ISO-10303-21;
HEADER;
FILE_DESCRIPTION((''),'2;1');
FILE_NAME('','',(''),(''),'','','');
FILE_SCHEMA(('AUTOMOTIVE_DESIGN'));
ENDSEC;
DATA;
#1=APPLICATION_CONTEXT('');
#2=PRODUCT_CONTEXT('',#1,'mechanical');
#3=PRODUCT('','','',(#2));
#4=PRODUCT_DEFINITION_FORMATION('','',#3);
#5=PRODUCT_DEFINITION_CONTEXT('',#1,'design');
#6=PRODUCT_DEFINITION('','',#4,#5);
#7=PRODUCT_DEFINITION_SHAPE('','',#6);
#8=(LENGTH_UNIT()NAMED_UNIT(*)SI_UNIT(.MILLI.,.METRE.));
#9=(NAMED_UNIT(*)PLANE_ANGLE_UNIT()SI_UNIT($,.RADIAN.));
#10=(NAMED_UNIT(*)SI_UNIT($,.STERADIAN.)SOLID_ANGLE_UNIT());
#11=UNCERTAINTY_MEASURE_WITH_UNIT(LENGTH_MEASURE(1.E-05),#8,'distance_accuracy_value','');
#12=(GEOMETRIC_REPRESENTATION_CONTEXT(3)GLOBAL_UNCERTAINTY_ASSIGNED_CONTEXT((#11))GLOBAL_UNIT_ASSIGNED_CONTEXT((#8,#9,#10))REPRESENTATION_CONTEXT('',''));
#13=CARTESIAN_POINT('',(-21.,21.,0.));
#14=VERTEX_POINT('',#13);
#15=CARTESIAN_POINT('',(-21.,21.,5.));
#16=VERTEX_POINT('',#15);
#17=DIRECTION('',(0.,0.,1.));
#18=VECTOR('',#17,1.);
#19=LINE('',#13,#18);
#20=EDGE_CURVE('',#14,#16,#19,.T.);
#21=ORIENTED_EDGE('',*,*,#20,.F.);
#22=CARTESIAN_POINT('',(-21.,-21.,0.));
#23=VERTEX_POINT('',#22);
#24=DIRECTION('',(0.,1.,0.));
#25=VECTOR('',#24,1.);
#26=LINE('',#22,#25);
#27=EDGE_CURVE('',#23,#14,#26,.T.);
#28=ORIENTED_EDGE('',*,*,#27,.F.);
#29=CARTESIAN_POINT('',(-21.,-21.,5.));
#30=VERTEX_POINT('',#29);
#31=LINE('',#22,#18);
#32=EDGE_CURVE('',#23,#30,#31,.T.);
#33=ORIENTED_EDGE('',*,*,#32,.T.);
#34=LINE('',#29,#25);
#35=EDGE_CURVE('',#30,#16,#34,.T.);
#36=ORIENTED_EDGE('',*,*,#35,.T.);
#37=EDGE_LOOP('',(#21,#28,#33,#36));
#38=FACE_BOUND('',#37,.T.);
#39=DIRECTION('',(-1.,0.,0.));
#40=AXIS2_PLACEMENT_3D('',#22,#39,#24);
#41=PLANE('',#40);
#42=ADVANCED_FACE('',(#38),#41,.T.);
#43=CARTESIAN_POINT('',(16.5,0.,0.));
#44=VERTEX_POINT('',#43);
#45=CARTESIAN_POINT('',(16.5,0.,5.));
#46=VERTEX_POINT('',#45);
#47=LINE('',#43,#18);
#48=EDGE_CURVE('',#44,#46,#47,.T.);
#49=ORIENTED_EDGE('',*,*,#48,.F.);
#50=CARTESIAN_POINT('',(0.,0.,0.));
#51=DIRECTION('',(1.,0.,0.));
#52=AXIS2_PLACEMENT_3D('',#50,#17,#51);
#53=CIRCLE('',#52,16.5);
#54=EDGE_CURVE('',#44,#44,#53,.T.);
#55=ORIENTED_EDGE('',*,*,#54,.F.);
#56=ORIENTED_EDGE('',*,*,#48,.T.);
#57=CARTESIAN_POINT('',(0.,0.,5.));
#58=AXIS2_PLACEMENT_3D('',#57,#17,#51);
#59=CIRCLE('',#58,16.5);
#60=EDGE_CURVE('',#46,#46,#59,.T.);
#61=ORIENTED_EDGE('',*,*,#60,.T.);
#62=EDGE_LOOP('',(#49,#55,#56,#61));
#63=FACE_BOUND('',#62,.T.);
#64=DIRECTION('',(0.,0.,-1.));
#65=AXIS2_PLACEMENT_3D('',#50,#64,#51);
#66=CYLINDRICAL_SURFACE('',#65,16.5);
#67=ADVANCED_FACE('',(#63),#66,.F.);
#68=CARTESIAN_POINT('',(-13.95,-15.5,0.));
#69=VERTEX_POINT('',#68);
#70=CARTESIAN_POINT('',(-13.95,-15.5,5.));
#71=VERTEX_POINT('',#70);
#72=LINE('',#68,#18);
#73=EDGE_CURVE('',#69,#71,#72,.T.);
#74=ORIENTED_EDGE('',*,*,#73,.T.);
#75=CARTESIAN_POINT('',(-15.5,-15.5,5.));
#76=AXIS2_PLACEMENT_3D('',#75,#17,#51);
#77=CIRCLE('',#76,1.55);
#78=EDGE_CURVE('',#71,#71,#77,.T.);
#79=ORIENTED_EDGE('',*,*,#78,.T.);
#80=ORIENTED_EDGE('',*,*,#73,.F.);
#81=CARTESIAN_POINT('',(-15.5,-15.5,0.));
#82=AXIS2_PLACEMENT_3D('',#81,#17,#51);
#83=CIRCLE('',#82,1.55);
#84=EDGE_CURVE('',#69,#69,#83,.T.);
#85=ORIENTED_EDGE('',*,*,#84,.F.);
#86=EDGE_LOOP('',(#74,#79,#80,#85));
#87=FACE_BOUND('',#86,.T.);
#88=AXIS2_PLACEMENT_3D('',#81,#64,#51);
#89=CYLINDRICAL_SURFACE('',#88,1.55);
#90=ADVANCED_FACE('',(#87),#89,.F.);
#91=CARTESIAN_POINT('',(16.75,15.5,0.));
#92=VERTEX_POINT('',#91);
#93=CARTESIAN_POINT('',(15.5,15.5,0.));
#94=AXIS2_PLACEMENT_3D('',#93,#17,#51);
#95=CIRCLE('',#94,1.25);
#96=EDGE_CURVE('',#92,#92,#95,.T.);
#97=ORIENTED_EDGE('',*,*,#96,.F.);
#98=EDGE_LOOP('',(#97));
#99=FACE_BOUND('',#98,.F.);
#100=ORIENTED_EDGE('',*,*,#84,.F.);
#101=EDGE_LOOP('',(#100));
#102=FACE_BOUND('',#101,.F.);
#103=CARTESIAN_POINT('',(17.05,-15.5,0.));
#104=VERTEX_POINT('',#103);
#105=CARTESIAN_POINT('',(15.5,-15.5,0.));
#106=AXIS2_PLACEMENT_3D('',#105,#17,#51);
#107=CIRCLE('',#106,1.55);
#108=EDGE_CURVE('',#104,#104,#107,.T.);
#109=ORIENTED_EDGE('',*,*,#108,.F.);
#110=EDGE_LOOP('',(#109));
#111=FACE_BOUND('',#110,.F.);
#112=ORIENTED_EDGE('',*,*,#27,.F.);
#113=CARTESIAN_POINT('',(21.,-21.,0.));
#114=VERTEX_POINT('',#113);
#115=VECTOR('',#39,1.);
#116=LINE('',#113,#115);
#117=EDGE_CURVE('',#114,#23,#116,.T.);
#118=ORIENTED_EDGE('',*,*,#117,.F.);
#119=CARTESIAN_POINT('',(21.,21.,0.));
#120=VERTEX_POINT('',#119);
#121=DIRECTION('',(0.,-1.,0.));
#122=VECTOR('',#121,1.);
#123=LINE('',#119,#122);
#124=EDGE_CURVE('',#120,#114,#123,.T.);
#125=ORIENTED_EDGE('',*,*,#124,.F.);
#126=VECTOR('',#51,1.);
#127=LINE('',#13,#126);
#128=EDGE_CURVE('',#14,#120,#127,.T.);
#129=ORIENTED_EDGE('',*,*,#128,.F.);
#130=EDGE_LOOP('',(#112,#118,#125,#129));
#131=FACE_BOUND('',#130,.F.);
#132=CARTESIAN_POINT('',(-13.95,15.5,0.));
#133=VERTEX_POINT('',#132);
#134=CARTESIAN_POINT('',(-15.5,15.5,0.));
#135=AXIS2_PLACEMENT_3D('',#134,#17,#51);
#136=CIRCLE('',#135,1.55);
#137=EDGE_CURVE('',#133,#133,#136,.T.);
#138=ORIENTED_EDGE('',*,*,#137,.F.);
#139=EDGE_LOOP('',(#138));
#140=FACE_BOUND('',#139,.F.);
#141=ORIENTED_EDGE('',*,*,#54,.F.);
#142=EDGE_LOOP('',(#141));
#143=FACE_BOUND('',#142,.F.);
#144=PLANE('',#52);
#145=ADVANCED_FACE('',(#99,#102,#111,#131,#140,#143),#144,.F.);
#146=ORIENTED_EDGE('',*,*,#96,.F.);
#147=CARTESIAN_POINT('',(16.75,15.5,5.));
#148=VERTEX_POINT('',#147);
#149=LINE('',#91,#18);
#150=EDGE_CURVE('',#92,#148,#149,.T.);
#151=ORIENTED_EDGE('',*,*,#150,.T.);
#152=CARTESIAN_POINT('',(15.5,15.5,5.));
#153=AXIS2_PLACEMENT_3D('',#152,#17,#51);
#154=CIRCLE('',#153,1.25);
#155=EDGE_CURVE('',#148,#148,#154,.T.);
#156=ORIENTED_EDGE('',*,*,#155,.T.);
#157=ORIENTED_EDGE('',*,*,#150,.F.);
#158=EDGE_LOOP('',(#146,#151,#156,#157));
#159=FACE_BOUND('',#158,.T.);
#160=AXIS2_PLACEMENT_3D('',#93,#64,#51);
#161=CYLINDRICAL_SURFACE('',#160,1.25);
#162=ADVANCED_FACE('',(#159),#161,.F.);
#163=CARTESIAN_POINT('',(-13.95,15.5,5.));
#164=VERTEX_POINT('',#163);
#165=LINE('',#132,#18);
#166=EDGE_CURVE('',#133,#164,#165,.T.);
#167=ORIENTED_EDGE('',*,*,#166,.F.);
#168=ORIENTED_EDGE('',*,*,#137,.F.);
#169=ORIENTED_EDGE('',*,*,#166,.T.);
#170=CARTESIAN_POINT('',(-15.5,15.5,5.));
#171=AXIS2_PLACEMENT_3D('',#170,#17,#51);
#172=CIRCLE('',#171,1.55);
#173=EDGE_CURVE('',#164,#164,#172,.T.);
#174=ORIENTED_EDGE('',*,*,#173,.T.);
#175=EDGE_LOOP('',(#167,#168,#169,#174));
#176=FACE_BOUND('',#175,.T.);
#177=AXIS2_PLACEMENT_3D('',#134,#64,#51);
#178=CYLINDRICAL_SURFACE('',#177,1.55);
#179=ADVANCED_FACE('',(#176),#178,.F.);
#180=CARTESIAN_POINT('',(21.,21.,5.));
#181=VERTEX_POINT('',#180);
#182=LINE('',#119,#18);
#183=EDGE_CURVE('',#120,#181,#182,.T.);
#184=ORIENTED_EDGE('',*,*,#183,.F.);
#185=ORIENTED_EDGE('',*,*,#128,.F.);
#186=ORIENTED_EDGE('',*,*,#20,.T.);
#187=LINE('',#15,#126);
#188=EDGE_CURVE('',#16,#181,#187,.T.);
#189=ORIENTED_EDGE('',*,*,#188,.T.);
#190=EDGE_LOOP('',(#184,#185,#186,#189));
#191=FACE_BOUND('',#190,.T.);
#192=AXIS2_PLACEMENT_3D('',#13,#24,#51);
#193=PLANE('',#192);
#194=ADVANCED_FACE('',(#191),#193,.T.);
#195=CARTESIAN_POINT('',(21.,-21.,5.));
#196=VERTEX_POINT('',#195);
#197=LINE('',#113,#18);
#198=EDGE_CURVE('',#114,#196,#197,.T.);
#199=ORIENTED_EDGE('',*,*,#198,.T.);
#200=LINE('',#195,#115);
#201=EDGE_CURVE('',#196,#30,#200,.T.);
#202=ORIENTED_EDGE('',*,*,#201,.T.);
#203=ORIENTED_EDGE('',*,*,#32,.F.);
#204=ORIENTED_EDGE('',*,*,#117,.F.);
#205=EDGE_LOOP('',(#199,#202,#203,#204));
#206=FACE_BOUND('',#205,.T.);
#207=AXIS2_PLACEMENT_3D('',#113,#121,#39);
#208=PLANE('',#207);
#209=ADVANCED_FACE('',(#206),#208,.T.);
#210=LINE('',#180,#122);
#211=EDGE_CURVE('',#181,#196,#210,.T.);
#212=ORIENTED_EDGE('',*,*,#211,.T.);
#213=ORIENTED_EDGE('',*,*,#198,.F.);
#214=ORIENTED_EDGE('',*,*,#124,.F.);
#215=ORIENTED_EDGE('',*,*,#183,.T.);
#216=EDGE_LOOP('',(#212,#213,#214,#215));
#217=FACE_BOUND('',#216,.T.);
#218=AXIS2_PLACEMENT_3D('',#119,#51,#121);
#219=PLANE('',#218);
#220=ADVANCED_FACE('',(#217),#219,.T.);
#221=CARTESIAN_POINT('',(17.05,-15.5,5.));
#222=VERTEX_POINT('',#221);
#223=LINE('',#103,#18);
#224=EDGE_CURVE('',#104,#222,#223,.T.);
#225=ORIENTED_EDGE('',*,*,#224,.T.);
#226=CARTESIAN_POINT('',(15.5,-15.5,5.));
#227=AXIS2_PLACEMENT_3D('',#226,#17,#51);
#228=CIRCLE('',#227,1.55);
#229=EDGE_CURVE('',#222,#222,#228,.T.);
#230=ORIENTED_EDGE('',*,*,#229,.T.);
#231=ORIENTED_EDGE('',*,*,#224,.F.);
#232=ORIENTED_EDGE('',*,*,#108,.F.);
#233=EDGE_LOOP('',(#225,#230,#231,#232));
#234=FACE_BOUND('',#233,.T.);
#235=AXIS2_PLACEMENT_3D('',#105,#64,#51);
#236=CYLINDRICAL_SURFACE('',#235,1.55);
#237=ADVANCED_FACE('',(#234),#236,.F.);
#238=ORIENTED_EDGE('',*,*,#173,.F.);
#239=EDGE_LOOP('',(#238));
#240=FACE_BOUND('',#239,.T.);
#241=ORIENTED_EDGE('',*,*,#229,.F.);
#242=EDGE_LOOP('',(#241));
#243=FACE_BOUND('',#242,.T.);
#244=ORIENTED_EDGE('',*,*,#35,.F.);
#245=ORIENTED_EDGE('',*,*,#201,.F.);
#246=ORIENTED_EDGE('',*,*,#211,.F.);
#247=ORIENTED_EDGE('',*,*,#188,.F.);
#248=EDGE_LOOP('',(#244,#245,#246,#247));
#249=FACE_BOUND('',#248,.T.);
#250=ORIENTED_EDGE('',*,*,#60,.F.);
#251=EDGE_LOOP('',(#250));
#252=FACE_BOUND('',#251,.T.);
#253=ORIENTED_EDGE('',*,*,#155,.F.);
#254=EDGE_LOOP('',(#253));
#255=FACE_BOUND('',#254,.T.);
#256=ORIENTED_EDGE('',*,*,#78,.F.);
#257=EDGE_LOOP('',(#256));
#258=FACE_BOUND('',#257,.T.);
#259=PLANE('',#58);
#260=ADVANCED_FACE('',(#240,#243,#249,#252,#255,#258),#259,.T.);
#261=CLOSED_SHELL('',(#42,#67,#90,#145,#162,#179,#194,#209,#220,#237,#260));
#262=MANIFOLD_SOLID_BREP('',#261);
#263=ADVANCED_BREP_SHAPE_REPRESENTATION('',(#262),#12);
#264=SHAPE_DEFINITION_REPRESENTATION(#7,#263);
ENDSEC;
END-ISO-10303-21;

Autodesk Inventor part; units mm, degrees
ref_plane "YZ Plane" through (0, 0, 0) normal (1, 0, 0) x (0, 1, 0)
ref_plane "XZ Plane" through (0, 0, 0) normal (0, 1, 0) x (-1, 0, 0)
ref_plane "XY Plane" through (0, 0, 0) normal (0, 0, 1) x (1, 0, 0)
sketch "Sketch1" plane through (0, 0, 0) normal (0, 0, 1) x (1, 0, 0)
  circle A0 centre (0, 0) radius 16.5 projected
  circle A1 centre (15.5, 15.5) radius 1.25 projected
  circle A2 centre (15.5, -15.5) radius 1.55 projected
  circle A3 centre (-15.5, -15.5) radius 1.55 projected
  circle A4 centre (-15.5, 15.5) radius 1.55 projected
  line L0 (-21, 21) -> (21, 21)
  line L1 (21, 21) -> (21, -21)
  line L2 (21, -21) -> (-21, -21)
  line L3 (-21, -21) -> (-21, 21)
  line L4 (-21, 21) -> (21, -21) construction
  line L5 (21, 21) -> (-21, -21) construction
  point P0 (0, 0)
  dimension "d0" = 42
  dimension "d1" = 42
extrude "Extrusion1" add sketch "Sketch1" along normal blind 5
equation "\"BendRadius\" = Thickness"
equation "\"BendReliefWidth\" = Thickness"
equation "\"BendReliefDepth\" = 0.5 * Thickness"
equation "\"CornerReliefSize\" = 4 * Thickness"
equation "\"MinimumRemnant\" = 2 * Thickness"
equation "\"TransitionRadius\" = BendRadius"
equation "\"JacobiRadiusSize\" = Thickness"
equation "\"GapSize\" = Thickness"
equation "\"Thickness\" = 0.5"
properties part number "Motor Mount V2.1"
